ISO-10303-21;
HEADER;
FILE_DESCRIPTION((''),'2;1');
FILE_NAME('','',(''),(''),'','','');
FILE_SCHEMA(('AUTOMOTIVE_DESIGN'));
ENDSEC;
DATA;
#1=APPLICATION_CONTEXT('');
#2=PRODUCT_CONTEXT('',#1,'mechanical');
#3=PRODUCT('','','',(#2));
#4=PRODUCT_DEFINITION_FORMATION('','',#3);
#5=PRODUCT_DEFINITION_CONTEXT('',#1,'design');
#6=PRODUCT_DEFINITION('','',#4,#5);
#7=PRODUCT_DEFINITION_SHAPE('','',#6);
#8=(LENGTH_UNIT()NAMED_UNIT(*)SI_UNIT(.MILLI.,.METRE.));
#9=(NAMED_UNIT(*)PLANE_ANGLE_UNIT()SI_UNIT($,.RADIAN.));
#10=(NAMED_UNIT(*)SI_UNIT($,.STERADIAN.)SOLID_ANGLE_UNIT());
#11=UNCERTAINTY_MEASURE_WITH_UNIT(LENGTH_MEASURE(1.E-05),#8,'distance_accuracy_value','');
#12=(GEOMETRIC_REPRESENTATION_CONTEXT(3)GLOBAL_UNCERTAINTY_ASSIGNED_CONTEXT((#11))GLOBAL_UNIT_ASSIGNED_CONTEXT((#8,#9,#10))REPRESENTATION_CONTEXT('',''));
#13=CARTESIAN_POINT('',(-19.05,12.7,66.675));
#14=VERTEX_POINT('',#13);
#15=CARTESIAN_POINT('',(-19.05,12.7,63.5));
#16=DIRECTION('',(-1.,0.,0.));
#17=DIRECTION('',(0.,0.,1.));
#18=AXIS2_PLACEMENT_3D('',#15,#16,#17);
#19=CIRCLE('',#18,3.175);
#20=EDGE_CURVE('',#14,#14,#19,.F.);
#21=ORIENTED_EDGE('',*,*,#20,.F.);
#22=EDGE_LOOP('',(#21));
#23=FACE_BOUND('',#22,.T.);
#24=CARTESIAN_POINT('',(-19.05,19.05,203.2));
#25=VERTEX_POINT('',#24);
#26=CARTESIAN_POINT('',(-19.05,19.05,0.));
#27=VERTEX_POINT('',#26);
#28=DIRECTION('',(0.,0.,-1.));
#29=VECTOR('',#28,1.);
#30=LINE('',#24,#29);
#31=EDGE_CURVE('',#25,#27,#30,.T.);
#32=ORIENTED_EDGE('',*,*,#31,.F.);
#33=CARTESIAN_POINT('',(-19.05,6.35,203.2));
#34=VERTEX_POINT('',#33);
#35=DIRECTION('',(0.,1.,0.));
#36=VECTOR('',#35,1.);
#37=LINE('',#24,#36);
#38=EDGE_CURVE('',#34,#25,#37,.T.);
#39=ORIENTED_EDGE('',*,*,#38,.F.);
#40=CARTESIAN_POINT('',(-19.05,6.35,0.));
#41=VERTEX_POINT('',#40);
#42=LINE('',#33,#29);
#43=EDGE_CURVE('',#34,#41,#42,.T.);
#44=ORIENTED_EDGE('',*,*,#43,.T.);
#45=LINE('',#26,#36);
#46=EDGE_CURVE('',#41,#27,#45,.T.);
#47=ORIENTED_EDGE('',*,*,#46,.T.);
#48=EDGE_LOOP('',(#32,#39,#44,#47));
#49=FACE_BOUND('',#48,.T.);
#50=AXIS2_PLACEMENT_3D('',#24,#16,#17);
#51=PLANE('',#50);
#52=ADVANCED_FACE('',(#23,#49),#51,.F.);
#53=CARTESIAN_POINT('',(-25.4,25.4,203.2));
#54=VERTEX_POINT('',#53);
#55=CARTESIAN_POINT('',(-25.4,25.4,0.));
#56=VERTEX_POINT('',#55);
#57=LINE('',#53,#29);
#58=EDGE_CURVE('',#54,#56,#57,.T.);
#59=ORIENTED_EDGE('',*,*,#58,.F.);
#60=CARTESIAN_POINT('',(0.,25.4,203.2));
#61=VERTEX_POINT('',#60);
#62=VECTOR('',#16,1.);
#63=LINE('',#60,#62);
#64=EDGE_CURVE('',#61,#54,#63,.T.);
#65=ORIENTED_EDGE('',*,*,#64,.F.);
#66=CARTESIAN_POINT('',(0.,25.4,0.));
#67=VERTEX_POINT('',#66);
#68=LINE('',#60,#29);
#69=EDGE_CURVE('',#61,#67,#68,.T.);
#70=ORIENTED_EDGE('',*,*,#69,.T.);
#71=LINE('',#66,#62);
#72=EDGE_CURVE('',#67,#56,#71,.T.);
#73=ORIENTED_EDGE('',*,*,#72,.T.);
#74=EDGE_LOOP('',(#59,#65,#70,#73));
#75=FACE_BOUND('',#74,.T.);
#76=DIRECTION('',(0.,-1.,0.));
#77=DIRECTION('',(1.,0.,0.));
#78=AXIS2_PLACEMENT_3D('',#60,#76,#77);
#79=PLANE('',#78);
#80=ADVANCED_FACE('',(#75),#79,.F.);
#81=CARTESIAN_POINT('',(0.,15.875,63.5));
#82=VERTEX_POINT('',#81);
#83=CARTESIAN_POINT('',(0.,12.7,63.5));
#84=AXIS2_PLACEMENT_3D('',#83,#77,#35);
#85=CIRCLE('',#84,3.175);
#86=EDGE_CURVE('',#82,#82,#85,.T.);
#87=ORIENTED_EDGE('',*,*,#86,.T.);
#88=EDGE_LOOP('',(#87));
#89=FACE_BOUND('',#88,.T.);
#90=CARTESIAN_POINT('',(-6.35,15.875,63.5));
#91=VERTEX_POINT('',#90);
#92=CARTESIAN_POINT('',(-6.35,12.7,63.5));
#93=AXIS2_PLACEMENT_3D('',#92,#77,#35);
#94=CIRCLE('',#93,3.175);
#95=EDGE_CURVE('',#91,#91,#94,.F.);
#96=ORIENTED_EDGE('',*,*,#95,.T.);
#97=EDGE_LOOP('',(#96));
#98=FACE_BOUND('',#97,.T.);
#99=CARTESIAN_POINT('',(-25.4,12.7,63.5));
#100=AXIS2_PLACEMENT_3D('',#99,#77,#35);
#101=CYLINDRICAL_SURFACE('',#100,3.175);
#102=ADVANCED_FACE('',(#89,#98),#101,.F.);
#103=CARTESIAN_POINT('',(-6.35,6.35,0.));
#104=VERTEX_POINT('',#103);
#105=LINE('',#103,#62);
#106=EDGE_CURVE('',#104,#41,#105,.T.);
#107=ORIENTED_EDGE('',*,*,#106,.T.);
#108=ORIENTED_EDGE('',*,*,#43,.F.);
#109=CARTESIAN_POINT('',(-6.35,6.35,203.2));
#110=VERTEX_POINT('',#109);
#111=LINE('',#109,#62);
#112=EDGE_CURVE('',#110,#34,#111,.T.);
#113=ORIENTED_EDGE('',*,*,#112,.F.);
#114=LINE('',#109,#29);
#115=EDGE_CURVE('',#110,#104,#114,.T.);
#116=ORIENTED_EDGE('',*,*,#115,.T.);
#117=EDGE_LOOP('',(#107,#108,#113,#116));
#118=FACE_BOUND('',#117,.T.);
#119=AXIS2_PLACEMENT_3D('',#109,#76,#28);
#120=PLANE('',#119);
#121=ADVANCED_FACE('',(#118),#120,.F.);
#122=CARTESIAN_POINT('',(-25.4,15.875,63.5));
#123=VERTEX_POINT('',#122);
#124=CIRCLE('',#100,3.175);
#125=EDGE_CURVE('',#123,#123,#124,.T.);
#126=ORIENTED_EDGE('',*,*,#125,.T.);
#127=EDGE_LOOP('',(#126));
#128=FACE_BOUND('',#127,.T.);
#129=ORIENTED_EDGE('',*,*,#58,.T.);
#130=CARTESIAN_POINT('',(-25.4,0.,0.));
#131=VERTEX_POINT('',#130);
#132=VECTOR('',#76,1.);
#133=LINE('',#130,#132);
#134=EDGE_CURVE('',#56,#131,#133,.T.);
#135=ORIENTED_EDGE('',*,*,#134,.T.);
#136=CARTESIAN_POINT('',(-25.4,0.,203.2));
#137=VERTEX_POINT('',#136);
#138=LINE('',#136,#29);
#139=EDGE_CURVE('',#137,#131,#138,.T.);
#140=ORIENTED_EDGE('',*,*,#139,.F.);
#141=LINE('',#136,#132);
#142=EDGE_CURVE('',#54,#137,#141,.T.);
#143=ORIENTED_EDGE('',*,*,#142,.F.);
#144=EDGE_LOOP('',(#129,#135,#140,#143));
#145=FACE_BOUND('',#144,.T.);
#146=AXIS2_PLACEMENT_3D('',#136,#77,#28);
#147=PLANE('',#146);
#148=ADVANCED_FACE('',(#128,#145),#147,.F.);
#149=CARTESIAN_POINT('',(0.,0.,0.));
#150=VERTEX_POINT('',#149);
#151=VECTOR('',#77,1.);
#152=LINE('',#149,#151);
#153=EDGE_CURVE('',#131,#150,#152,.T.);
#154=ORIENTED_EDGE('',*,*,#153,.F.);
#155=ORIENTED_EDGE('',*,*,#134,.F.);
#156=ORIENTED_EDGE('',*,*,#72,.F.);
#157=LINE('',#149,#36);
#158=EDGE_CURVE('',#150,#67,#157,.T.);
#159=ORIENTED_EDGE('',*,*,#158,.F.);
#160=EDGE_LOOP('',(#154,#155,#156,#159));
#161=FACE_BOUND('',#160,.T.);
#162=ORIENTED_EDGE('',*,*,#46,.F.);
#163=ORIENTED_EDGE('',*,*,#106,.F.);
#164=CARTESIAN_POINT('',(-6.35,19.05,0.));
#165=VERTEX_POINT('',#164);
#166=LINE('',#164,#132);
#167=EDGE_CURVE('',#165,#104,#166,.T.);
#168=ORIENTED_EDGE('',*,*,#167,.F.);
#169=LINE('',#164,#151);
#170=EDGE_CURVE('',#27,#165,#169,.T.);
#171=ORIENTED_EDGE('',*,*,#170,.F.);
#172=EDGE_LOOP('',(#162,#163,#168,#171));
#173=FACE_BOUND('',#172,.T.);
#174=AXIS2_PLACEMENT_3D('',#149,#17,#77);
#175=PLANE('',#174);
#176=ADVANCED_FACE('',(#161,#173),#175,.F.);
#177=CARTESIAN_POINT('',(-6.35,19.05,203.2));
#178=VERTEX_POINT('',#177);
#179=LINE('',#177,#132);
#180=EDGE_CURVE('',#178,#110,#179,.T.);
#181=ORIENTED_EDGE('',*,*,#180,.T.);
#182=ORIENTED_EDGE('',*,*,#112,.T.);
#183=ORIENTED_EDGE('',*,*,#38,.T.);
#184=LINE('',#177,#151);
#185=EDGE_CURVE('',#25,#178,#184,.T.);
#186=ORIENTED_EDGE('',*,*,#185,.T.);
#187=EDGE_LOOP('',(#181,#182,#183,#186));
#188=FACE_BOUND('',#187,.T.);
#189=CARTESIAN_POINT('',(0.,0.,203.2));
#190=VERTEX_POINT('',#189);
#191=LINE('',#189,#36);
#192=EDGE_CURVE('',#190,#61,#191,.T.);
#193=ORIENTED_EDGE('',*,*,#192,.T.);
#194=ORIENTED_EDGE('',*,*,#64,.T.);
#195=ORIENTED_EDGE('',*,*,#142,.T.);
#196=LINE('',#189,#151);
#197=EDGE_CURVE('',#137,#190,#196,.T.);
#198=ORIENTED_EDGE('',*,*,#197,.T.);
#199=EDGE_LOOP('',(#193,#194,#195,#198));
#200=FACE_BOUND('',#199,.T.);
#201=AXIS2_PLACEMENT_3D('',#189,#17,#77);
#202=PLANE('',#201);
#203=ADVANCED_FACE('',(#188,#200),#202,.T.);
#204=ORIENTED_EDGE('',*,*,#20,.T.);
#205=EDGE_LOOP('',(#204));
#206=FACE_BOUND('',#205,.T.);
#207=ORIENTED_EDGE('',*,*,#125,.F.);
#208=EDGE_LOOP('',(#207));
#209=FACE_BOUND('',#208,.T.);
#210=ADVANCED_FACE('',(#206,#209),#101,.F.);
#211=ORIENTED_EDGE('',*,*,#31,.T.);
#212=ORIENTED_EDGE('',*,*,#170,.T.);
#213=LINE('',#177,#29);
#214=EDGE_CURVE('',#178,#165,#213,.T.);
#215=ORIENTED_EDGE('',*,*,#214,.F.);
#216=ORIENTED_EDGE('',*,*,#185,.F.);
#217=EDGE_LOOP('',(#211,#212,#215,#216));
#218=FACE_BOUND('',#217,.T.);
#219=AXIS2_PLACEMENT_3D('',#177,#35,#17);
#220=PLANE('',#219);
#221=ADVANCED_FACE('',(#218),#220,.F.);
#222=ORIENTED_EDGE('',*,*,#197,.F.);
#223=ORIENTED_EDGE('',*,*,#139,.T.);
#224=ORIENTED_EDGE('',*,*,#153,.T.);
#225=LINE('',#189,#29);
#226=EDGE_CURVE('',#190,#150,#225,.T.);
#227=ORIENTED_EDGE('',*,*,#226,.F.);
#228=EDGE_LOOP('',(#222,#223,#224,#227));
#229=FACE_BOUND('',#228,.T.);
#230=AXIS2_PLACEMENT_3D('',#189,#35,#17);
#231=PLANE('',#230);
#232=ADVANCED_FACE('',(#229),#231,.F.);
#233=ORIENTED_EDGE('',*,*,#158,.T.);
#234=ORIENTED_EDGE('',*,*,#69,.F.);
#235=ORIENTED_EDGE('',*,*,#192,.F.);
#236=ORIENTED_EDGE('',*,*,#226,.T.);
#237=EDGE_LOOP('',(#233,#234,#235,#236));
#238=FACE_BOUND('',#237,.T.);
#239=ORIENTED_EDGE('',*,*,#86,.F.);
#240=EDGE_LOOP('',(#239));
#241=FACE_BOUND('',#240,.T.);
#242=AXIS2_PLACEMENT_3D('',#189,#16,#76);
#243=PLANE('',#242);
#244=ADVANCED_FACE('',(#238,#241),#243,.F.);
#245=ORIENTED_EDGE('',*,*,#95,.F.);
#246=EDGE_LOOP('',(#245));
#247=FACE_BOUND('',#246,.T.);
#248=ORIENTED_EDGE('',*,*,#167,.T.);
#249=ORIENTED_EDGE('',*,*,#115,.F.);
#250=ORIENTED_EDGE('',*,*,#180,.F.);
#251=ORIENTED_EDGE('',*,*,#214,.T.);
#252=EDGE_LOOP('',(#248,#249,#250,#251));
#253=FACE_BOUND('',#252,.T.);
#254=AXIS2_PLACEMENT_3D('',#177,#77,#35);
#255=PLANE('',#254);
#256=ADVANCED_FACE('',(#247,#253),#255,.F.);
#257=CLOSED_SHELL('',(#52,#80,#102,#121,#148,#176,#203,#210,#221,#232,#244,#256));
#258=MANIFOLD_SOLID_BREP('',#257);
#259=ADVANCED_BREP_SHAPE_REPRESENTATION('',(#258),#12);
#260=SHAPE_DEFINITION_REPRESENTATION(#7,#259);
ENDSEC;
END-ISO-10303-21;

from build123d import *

# Parameters (mm, degrees)
SKETCH1_W           = 25.4
SKETCH1_H           = 25.4
BOSS_EXTRUDE1_DEPTH = 203.2
SKETCH2_R           = 3.175
CUT_EXTRUDE1_DEPTH  = 207.350575478
SKETCH3_W           = 12.7
SKETCH3_H           = 12.7
CUT_EXTRUDE2_DEPTH  = 207.350575478


with BuildPart() as part:
    # Sketch1 → Boss-Extrude1 (new body)
    with BuildSketch(Plane.XY):
        with Locations((-12.7, 12.7)):
            Rectangle(SKETCH1_W, SKETCH1_H)
    extrude(amount=BOSS_EXTRUDE1_DEPTH)

    # Sketch2 → Cut-Extrude1 (cut, through all)
    with BuildSketch(Plane(origin=(0, 0, 0), x_dir=(0, 0, -1), z_dir=(1, 0, 0))):
        with Locations(Location((-63.5, 12.7, 0), (0, 0, 90))):
            Circle(SKETCH2_R)
    extrude(amount=-CUT_EXTRUDE1_DEPTH, mode=Mode.SUBTRACT)

    # Sketch3 → Cut-Extrude2 (cut, through all)
    with BuildSketch(Plane(origin=(0, 0, 0), x_dir=(-1, 0, 0), z_dir=(0, 0, -1))):
        with Locations((12.7, 12.7)):
            Rectangle(SKETCH3_W, SKETCH3_H)
    extrude(amount=-CUT_EXTRUDE2_DEPTH, mode=Mode.SUBTRACT)


solid = part.part
